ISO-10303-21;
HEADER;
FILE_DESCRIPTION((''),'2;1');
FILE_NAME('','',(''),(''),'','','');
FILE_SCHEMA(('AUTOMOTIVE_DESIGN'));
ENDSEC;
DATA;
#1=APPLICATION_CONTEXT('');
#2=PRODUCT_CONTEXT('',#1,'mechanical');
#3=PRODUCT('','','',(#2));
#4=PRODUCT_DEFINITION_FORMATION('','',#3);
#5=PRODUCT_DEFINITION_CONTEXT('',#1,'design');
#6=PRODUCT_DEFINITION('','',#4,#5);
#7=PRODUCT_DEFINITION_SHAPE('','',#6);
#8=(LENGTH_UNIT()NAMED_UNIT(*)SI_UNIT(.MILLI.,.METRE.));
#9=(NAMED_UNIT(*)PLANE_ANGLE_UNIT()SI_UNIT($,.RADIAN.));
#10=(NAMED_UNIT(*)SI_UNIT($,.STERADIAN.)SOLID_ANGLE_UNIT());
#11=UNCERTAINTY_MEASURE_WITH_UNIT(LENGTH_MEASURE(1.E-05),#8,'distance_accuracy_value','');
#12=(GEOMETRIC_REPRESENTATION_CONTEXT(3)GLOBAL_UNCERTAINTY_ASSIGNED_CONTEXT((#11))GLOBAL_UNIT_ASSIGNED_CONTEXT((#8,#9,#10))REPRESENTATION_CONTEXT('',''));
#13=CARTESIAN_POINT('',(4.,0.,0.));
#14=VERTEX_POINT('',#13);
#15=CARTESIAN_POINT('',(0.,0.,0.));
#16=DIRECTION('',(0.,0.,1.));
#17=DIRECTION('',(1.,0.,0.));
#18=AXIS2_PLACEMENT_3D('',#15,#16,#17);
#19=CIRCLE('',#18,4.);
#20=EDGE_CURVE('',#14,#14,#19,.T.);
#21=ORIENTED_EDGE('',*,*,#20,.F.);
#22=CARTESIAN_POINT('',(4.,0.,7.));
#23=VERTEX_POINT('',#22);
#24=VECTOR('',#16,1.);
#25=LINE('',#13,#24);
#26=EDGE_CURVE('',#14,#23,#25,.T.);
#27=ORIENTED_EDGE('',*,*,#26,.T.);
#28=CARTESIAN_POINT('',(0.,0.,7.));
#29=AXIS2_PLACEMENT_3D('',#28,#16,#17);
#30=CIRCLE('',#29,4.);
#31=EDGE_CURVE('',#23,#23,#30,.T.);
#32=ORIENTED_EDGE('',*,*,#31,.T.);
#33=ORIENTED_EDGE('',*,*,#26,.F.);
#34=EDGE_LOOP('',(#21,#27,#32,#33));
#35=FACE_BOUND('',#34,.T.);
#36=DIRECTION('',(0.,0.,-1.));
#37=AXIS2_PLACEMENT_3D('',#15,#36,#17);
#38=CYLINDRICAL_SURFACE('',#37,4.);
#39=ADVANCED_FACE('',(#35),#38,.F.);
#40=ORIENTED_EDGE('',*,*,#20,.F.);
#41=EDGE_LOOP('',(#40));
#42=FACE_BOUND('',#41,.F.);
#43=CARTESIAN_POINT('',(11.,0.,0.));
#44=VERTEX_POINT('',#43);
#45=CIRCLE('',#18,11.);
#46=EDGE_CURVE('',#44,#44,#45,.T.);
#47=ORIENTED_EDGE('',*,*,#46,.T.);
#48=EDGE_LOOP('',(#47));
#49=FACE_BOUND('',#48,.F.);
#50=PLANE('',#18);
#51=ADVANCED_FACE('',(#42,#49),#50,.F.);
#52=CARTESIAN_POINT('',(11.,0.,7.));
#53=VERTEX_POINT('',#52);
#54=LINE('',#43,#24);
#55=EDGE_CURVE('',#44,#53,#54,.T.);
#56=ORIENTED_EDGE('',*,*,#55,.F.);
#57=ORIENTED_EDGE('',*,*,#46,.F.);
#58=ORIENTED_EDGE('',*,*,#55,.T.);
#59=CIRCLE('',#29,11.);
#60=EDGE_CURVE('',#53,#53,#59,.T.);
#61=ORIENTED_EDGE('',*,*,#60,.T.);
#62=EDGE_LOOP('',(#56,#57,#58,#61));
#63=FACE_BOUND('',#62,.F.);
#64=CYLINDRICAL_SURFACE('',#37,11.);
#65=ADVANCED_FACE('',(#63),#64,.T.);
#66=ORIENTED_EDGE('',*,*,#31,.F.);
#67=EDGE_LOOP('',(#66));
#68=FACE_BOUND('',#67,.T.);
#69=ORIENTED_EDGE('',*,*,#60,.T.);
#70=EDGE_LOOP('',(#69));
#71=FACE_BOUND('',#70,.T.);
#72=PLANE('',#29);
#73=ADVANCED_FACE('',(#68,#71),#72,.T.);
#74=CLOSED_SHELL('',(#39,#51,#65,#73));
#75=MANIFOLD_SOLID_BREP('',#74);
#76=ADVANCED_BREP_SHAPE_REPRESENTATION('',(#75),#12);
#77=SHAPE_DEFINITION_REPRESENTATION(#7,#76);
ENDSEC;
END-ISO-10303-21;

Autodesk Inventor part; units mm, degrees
ref_plane "YZ Plane" through (0, 0, 0) normal (1, 0, 0) x (0, 1, 0)
ref_plane "XZ Plane" through (0, 0, 0) normal (0, 1, 0) x (-1, 0, 0)
ref_plane "XY Plane" through (0, 0, 0) normal (0, 0, 1) x (1, 0, 0)
sketch "Sketch1" plane through (0, 0, 0) normal (0, 0, 1) x (1, 0, 0)
  circle A0 centre (0, 0) radius 4
  circle A1 centre (0, 0) radius 11
  dimension "d0" = 8
  dimension "d1" = 22
extrude "Extrusion1" add sketch "Sketch1" along normal blind 7
properties part number "bearing" material "Stainless Steel"
